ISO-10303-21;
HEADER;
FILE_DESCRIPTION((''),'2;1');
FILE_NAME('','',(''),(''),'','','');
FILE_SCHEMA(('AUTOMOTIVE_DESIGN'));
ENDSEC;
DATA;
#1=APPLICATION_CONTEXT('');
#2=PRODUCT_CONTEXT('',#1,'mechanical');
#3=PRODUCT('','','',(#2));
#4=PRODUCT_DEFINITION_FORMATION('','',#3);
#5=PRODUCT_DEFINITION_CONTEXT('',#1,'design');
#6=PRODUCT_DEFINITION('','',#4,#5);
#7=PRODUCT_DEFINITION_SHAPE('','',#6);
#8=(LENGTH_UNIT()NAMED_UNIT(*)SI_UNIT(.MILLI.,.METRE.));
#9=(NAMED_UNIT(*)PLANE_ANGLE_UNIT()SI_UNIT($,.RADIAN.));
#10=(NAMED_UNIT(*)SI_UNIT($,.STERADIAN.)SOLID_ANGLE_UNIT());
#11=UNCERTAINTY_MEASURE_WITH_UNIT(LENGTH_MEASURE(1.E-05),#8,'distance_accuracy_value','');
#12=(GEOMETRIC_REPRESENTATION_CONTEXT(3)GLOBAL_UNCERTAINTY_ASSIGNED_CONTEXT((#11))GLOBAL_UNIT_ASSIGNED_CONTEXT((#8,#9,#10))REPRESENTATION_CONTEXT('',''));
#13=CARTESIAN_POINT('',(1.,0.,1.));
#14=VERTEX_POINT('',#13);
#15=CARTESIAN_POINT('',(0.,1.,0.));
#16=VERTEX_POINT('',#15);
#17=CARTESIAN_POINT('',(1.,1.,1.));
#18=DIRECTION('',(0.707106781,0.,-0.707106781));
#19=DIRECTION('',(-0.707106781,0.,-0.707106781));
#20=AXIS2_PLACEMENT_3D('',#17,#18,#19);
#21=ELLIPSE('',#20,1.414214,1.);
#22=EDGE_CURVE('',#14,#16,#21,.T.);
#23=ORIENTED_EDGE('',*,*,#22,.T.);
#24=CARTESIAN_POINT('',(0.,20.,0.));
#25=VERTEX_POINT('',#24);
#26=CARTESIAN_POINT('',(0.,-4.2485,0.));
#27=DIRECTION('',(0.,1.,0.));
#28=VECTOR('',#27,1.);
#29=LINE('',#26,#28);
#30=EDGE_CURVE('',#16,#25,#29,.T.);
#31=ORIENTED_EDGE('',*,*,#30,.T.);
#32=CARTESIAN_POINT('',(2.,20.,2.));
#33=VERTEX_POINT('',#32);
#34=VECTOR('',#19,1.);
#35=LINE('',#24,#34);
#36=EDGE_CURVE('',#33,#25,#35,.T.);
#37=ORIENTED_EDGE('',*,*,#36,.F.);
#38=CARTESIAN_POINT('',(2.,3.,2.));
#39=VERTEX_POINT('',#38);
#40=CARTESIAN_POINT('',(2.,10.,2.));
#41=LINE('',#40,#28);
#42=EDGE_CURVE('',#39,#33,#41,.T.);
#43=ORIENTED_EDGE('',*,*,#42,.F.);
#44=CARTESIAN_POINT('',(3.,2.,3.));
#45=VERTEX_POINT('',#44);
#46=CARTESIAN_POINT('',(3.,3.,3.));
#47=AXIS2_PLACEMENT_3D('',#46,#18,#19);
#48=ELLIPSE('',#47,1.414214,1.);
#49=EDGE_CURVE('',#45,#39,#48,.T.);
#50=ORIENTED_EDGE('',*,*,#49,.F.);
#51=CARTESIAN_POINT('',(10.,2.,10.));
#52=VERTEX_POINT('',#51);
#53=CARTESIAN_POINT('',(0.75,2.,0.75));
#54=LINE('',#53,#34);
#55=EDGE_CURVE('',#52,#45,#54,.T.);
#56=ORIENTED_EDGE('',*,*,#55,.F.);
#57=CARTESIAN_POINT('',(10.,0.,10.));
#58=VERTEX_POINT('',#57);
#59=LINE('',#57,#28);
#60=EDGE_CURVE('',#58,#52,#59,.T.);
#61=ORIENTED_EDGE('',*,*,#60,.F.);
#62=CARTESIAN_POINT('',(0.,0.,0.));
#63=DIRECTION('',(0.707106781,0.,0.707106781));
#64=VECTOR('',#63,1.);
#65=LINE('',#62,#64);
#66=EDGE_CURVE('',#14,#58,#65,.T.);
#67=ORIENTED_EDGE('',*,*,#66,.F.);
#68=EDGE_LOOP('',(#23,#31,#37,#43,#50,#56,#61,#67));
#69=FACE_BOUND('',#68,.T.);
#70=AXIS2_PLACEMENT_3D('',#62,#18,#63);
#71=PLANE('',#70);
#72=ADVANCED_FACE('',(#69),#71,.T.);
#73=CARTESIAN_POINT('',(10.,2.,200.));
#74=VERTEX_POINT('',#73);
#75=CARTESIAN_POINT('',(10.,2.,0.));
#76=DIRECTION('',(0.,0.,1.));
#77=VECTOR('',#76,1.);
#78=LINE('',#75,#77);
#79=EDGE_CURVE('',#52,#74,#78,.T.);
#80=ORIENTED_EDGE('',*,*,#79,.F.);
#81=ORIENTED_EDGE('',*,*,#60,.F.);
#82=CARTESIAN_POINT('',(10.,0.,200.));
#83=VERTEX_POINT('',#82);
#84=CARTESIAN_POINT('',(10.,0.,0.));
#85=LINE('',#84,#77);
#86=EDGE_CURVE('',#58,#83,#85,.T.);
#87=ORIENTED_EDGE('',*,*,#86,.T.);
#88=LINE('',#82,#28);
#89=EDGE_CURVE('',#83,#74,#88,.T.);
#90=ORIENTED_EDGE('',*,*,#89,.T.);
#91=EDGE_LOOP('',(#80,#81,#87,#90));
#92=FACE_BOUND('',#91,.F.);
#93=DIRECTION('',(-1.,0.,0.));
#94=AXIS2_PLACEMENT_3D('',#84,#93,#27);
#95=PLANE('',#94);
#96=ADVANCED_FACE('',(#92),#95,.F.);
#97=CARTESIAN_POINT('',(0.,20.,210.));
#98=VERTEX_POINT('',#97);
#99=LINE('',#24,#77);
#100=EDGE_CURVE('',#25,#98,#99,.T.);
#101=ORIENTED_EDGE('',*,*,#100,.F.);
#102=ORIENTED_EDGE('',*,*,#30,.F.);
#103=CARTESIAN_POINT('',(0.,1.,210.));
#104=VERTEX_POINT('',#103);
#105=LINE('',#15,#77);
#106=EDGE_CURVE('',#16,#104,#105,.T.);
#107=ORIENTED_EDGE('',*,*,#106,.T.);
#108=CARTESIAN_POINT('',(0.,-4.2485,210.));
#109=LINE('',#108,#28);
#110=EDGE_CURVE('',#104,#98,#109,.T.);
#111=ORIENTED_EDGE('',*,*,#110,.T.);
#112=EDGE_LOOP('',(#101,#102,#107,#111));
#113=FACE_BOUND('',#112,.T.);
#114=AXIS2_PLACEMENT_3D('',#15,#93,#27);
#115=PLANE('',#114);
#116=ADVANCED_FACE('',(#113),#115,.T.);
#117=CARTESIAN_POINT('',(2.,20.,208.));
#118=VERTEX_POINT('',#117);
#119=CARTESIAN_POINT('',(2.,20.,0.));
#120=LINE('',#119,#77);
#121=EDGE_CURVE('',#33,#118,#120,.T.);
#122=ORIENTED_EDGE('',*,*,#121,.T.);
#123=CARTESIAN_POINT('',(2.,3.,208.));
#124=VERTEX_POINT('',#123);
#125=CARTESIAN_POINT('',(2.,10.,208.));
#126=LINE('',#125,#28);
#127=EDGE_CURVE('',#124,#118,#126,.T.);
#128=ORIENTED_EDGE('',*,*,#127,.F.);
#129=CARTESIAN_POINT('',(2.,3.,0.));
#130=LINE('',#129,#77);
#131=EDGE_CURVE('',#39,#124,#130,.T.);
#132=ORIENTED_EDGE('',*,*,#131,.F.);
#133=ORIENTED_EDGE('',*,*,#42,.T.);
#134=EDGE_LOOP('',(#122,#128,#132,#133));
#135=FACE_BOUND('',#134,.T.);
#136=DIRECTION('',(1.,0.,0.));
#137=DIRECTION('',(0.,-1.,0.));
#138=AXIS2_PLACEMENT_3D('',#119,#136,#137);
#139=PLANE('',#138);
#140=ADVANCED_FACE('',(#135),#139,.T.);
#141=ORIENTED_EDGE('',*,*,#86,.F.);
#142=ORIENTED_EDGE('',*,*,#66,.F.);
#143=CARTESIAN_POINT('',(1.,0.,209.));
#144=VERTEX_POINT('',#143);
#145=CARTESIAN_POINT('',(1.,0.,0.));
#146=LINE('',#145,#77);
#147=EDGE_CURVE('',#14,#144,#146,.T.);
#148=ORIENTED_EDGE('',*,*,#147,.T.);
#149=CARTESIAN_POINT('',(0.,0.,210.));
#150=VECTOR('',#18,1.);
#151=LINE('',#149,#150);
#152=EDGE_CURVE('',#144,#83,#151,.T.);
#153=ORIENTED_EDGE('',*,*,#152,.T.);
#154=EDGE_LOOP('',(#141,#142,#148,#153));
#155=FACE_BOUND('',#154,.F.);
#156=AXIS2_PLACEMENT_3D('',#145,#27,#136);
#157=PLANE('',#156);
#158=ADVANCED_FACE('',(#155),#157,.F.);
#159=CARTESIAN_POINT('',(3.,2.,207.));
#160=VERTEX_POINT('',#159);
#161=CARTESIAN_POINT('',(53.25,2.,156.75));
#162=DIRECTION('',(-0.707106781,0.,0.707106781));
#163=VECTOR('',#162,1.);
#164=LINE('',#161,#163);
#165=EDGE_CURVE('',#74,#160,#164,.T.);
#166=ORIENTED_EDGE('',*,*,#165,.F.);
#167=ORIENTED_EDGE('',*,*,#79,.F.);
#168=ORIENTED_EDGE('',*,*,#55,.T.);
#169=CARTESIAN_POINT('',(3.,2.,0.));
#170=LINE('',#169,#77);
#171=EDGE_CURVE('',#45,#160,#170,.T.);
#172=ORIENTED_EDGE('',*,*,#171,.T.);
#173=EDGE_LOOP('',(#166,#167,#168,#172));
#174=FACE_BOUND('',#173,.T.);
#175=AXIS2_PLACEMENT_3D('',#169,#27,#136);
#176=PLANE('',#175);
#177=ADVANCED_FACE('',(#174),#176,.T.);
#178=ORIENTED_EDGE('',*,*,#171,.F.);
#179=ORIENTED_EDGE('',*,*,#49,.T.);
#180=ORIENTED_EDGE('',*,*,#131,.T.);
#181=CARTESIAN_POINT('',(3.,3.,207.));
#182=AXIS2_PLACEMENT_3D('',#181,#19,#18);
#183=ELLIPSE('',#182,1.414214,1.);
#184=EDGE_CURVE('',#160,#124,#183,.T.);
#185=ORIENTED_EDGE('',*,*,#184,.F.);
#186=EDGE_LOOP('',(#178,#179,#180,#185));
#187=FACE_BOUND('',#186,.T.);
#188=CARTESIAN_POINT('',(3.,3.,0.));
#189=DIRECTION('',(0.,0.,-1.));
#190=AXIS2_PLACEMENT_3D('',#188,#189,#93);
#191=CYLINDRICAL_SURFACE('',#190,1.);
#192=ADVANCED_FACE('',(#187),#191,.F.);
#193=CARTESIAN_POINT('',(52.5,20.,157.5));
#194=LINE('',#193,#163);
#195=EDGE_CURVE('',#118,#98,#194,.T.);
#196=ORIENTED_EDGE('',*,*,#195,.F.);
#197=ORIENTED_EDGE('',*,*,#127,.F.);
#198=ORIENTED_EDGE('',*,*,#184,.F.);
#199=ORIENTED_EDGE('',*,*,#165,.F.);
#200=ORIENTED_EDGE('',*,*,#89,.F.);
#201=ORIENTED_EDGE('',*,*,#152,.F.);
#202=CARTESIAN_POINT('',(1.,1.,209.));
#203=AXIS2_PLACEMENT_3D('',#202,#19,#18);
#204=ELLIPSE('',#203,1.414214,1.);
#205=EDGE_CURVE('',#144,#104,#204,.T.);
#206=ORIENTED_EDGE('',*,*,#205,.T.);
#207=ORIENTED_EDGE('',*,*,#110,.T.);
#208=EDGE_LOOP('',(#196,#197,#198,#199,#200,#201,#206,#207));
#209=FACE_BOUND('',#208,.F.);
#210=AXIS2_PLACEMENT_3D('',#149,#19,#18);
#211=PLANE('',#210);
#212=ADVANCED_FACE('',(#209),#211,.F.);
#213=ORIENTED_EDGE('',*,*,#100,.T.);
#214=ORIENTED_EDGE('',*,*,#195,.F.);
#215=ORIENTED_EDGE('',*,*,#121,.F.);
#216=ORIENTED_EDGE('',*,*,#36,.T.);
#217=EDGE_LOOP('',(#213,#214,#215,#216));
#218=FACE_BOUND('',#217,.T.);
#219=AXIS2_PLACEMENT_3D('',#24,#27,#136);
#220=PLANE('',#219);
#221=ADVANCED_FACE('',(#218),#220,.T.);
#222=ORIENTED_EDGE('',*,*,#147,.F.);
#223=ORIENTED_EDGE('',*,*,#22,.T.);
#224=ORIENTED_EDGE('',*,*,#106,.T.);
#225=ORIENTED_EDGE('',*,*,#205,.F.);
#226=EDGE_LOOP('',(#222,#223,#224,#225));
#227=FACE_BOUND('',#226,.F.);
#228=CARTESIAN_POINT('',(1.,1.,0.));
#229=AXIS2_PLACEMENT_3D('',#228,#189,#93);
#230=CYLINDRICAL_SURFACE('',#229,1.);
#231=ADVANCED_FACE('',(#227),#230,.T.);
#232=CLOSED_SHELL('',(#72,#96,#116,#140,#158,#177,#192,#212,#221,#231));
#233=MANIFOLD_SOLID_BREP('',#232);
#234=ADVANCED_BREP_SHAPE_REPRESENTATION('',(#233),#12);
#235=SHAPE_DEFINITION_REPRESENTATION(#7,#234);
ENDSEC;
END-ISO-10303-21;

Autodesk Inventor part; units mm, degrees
ref_plane "YZ Plane" through (0, 0, 0) normal (1, 0, 0) x (0, 1, 0)
ref_plane "XZ Plane" through (0, 0, 0) normal (0, 1, 0) x (-1, 0, 0)
ref_plane "XY Plane" through (0, 0, 0) normal (0, 0, 1) x (1, 0, 0)
sketch "Szkic1" plane through (0, 0, 0) normal (0, 0, 1) x (1, 0, 0)
  line L0 (-2.2485, 0) -> (12.0414, 0) projected
  line L1 (0, -4.2485) -> (0, 24.0414) projected
  line L2 (10, 0) -> (1, 0)
  line L3 (0, 1) -> (0, 20)
  line L4 (2, 20) -> (2, 3)
  line L5 (3, 2) -> (10, 2)
  line L6 (0, 20) -> (2, 20)
  line L7 (10, 0) -> (10, 2)
  arc A0 (2, 3) -> (3, 2) centre (3, 3) ccw
  arc A1 (0, 1) -> (1, 0) centre (1, 1) ccw
  point P0 (0, 0)
  dimension "d0" = 20
  dimension "d1" = 10
  dimension "d2" = 2
  dimension "d3" = 1
extrude "Wyciągnięcie proste1" add sketch "Szkic1" along normal blind 210 contours A1 L1 L6 L4 A0 L5 L7 L0
sketch "Szkic2" plane through (1, 0, 0) normal (0, -1, 0) x (1, 0, 0)
  line L0 (0, 0) -> (9, 0) projected
  line L1 (9, 0) -> (9, 210) projected
  line L2 (0, 210) -> (9, 210) projected
  line L3 (-1, 0) -> (-1, 210) projected
  line L4 (-1, 210) -> (9, 200)
  line L5 (9, 200) -> (9, 210)
  line L6 (9, 210) -> (-1, 210)
  line L7 (-1, 0) -> (9, 10)
  line L8 (9, 10) -> (9, 0)
  line L9 (9, 0) -> (-1, 0)
  dimension "d6" = 135
  dimension "d7" = 45
extrude "Wyciągnięcie proste2" cut sketch "Szkic2" against normal through all contours L9 L7 L1 L0 | L6 L2 L1 L4
properties part number "kątownik_mały2" material "Aluminium 6061"
